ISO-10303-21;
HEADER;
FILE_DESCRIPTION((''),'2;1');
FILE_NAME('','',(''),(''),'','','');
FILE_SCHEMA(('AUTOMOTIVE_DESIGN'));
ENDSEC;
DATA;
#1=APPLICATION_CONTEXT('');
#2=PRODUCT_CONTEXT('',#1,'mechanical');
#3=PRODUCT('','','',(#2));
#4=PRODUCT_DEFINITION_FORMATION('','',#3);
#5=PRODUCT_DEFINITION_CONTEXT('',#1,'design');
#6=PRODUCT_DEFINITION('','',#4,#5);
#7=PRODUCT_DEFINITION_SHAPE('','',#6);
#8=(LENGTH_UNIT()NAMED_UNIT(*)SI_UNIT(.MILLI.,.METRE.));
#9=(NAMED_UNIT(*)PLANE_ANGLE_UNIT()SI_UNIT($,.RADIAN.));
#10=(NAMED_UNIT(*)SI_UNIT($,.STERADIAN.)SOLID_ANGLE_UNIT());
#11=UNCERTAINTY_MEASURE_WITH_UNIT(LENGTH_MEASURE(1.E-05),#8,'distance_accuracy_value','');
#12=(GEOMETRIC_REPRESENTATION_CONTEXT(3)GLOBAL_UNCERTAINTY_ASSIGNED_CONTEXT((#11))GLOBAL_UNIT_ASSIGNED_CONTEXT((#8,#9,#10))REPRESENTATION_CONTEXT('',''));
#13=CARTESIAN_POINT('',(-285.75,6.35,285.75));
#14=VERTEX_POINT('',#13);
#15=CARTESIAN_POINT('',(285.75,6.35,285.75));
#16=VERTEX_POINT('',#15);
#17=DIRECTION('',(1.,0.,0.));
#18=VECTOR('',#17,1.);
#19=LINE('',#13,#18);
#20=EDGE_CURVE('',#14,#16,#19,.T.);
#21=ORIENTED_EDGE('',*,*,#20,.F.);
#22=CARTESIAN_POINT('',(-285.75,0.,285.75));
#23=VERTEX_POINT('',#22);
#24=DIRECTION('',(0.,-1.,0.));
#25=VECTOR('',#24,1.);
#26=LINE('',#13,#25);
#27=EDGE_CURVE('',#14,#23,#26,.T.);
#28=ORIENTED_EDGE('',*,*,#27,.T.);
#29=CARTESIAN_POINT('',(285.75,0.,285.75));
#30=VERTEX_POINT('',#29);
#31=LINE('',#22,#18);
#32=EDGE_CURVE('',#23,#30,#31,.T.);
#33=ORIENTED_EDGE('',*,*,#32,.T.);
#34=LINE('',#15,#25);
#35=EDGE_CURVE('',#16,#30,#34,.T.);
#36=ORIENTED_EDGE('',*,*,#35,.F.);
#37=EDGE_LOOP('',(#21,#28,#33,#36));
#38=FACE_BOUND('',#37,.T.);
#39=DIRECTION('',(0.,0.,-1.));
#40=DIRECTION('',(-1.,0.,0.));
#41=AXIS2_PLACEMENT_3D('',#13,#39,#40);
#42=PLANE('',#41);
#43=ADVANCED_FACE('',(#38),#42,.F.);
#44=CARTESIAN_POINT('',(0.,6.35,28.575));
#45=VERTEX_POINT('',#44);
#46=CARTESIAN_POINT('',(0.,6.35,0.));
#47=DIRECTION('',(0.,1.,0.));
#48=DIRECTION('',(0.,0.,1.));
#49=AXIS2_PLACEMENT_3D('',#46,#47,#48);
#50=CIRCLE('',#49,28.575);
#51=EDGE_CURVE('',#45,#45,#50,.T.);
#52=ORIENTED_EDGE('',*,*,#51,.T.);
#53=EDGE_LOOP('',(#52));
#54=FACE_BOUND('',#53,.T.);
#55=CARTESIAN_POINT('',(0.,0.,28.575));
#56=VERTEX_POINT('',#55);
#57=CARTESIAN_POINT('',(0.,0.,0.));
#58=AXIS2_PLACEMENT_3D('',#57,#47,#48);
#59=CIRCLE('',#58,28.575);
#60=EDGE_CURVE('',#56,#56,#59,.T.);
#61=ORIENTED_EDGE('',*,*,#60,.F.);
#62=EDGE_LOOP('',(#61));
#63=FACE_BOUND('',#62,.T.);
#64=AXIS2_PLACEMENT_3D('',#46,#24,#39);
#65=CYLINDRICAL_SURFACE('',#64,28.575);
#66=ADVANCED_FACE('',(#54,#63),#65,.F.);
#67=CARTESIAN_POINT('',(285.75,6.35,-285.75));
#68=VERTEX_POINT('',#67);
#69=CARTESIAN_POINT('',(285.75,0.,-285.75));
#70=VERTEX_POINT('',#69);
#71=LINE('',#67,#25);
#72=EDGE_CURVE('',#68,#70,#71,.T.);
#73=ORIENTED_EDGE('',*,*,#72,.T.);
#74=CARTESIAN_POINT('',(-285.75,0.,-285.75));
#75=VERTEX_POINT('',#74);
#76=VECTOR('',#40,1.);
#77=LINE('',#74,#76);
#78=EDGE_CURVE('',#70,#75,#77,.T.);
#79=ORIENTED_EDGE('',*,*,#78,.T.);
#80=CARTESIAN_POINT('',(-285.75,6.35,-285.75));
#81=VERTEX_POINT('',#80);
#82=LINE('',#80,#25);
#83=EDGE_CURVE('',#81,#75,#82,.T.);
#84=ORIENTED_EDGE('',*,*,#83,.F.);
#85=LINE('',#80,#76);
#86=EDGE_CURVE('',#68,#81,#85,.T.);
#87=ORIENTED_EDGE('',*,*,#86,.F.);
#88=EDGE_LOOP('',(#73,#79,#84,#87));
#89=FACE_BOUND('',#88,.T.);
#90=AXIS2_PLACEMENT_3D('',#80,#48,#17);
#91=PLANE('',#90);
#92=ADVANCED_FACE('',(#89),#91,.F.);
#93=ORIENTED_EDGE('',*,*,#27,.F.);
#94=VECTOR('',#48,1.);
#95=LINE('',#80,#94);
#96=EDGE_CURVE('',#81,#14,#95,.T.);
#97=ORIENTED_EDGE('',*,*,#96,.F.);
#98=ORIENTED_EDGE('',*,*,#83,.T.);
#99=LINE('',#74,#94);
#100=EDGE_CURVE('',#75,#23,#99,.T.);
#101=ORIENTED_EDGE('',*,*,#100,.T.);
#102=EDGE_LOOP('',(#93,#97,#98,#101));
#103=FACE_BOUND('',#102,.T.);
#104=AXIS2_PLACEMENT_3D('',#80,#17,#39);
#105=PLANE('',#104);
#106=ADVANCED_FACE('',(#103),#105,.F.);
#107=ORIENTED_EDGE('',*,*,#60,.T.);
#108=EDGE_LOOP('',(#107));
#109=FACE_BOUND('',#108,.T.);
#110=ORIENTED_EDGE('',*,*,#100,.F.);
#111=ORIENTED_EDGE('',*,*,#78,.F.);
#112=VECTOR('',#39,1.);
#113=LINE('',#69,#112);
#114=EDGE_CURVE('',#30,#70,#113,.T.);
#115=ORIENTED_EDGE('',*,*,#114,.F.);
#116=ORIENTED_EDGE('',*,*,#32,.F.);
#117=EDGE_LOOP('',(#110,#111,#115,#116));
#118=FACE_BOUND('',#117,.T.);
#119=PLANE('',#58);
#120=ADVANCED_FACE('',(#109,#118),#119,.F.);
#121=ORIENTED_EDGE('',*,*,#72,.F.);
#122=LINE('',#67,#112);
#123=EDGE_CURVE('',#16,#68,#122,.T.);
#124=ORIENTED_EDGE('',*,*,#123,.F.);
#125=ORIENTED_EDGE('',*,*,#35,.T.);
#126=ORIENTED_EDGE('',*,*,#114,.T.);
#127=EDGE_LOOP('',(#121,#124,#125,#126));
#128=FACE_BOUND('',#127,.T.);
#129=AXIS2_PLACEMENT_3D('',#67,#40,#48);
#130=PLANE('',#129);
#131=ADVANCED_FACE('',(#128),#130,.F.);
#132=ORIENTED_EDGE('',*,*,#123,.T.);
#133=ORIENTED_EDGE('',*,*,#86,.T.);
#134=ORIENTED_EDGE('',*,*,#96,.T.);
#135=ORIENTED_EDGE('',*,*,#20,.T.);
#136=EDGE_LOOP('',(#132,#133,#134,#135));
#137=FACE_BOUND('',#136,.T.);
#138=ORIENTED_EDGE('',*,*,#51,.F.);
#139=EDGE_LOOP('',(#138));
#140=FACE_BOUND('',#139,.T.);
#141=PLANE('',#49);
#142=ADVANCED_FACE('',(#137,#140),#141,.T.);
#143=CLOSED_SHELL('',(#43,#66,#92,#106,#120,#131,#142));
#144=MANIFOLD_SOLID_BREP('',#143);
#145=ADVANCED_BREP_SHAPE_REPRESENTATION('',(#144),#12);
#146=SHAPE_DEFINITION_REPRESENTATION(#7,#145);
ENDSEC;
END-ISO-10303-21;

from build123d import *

# Parameters (mm, degrees)
SKETCH1_W           = 571.5
SKETCH1_H           = 571.5
SKETCH1_R           = 28.575
BOSS_EXTRUDE1_DEPTH = 6.35


with BuildPart() as part:
    # Sketch1 → Boss-Extrude1 (new body)
    with BuildSketch(Plane(origin=(0, 0, 0), x_dir=(1, 0, 0), z_dir=(0, 1, 0))):
        Rectangle(SKETCH1_W, SKETCH1_H)
        with Locations(Location((0, 0, 0), (0, 0, 270))):
            Circle(SKETCH1_R, mode=Mode.SUBTRACT)
    extrude(amount=BOSS_EXTRUDE1_DEPTH)


solid = part.part
